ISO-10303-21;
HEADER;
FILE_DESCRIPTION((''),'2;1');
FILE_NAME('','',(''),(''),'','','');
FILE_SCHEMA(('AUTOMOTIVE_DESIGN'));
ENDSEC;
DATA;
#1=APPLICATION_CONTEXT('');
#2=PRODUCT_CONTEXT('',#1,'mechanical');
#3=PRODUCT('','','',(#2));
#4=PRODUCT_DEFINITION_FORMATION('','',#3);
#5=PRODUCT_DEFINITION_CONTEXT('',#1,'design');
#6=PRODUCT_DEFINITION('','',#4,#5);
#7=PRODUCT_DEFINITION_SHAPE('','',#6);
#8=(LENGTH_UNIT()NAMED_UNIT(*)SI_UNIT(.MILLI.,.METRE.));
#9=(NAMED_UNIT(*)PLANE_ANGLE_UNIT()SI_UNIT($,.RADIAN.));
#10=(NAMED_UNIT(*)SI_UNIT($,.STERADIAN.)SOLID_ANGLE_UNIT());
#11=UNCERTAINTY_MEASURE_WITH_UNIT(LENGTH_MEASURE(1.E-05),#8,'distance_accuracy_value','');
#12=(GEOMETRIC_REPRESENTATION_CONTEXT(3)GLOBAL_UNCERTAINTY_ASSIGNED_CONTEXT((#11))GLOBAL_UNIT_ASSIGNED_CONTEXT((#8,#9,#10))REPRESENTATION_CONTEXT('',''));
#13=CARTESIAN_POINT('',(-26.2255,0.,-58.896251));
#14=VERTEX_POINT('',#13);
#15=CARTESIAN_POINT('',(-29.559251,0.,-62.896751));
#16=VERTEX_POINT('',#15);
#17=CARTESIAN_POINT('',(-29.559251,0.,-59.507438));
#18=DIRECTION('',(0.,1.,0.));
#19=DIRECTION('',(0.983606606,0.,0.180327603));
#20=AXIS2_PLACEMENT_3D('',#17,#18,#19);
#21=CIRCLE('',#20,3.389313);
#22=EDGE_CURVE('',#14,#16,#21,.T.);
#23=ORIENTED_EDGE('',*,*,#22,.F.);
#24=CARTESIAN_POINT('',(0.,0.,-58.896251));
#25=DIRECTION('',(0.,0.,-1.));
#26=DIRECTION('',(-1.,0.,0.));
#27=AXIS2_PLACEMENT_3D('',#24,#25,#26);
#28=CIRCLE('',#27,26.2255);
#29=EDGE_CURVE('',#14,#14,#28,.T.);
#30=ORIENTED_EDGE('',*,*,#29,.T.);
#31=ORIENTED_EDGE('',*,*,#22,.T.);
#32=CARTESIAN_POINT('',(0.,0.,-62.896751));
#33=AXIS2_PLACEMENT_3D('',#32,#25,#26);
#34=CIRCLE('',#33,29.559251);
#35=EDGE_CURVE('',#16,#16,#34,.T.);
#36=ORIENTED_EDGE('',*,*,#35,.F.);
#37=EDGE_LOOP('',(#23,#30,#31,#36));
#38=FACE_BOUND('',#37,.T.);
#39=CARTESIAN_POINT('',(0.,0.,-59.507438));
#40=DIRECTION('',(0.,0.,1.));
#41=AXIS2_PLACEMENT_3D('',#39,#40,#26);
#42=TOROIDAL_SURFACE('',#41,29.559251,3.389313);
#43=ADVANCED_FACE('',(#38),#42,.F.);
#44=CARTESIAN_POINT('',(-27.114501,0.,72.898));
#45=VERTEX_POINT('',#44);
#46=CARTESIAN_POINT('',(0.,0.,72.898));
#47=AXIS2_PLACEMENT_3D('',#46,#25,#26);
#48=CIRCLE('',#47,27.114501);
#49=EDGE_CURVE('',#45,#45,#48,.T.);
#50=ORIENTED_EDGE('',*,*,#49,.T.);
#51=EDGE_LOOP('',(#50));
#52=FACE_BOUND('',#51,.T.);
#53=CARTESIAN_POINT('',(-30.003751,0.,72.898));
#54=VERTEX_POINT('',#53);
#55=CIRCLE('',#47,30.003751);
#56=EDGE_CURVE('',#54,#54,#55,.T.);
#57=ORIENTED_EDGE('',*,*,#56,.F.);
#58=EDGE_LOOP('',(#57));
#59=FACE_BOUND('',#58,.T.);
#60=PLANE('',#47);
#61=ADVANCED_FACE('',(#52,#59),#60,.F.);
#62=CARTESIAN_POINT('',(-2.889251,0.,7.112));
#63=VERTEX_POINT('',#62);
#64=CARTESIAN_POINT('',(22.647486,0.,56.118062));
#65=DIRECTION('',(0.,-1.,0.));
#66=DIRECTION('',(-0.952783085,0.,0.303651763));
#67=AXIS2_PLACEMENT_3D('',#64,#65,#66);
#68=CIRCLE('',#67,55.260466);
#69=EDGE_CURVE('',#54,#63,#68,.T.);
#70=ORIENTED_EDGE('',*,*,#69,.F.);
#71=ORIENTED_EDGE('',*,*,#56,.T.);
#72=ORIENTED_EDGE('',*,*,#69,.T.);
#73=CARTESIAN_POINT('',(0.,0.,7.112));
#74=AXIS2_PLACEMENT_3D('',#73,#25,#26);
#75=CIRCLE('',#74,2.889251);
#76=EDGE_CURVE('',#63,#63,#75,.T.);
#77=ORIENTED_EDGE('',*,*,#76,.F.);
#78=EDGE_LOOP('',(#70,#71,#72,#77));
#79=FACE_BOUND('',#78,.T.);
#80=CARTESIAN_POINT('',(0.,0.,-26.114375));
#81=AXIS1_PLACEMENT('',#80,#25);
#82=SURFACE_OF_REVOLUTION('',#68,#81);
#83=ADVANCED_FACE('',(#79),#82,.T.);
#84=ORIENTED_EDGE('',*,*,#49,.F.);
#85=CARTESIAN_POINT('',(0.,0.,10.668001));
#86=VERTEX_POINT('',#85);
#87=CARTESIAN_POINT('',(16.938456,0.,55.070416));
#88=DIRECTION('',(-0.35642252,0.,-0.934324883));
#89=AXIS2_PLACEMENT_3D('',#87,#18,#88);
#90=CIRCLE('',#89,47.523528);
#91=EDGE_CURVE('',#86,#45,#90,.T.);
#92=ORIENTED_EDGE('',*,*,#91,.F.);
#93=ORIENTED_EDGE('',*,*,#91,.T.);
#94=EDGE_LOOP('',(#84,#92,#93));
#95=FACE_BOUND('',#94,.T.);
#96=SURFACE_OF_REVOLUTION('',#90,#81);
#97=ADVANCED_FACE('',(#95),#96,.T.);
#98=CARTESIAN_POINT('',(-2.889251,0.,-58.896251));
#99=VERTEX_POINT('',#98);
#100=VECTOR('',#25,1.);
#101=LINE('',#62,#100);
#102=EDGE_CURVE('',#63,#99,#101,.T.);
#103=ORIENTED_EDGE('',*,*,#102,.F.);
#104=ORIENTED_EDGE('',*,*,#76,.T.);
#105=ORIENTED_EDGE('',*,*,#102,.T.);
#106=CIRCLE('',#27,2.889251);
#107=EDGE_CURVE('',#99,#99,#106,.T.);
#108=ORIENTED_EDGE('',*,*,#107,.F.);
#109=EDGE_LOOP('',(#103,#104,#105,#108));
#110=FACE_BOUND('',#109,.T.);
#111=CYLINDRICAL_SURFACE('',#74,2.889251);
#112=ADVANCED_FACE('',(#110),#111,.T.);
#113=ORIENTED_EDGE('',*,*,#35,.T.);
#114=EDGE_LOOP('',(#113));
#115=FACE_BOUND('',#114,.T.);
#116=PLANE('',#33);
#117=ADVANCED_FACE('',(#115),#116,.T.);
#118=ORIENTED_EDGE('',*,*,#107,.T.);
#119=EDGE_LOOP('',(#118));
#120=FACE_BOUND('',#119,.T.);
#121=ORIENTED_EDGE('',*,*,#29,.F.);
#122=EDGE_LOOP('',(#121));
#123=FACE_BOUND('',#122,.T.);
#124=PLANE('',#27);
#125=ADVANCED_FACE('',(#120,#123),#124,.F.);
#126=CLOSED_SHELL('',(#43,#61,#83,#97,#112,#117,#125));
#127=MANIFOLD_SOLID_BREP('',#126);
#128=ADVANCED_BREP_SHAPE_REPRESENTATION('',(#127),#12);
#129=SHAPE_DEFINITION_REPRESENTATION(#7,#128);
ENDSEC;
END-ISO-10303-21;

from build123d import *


with BuildPart() as f1:
    # F0 (on Front) → F1 (revolve)
    with BuildSketch(Plane.XZ):
        with BuildLine():
            Line((-29.559251, -62.896751), (0, -62.896751))
            Line((0, -62.896751), (0, 10.668001))
            ThreePointArc((0, 10.668001), (-26.629093, 36.087412), (-27.114501, 72.898))
            Line((-27.114501, 72.898), (-30.003751, 72.898))
            ThreePointArc((-30.003751, 72.898), (-28.443504, 35.060289), (-2.889251, 7.112))
            Line((-2.889251, 7.112), (-2.889251, -58.896251))
            Line((-2.889251, -58.896251), (-26.2255, -58.896251))
            ThreePointArc((-26.2255, -58.896251), (-26.955509, -61.677224), (-29.559251, -62.896751))
        make_face()
    revolve(axis=Axis((0, 0, -26.114375), (0, 0, -1)))


solid = f1.part
